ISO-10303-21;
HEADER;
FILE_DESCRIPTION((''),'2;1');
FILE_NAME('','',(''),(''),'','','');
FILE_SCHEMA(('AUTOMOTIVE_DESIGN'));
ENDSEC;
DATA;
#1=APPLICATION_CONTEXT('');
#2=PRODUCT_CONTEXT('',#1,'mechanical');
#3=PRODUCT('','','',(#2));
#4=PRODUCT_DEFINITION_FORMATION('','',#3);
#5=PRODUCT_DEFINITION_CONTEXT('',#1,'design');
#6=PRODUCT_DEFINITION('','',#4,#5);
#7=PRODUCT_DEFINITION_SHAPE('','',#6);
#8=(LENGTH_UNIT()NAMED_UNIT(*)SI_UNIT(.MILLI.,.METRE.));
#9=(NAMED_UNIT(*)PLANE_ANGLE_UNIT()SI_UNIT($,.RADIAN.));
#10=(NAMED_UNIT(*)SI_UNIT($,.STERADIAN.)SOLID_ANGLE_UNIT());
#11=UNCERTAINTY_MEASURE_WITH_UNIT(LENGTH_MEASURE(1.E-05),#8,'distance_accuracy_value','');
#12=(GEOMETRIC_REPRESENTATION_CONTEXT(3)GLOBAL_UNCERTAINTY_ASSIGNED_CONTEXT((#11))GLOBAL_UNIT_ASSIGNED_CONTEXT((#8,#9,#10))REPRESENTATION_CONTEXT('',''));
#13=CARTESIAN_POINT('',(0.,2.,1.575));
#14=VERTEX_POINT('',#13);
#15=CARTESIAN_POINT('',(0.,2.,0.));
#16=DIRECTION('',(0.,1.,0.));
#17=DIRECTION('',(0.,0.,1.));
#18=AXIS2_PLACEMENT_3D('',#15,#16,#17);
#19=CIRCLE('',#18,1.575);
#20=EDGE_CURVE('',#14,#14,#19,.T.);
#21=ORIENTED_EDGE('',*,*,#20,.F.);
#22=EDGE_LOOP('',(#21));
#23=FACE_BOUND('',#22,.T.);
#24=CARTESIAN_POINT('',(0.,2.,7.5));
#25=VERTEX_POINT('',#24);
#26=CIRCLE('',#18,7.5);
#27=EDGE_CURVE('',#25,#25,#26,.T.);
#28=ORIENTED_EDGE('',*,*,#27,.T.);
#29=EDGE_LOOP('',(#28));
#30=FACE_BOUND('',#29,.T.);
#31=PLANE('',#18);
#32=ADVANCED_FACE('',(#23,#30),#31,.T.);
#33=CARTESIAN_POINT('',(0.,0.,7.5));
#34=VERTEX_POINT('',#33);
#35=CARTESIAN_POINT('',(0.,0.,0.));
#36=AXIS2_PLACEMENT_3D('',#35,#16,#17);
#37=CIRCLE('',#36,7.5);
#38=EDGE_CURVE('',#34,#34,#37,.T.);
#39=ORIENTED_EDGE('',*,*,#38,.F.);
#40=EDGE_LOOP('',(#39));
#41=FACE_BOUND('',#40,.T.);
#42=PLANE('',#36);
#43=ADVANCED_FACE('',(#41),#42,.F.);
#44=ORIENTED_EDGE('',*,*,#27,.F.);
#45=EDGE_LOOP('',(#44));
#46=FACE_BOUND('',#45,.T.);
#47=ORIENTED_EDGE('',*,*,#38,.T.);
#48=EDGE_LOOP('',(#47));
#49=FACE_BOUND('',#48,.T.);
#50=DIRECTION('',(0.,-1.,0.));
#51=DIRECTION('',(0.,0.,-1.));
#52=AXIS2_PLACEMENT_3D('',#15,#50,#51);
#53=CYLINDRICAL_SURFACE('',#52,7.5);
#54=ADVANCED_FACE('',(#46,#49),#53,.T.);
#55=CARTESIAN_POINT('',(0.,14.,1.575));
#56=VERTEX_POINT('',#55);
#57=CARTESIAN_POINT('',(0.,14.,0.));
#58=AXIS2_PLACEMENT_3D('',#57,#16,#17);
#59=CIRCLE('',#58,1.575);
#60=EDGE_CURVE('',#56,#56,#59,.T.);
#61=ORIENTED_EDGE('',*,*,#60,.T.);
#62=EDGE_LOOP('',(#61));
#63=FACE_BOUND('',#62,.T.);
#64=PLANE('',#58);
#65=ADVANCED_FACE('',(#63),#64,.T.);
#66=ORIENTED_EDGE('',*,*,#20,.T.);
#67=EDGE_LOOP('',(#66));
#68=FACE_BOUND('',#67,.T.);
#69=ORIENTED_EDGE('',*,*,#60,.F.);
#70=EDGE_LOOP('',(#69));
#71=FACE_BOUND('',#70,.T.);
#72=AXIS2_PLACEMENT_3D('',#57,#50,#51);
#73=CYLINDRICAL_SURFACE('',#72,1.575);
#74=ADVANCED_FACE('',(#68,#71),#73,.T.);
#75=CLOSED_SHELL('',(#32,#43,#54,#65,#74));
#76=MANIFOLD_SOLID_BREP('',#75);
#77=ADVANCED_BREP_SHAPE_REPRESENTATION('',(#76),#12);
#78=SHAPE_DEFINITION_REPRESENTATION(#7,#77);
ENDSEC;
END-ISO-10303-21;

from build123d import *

# Parameters (mm, degrees)
SKETCH_1_R      = 7.5
EXTRUDE_1_DEPTH = 2
SKETCH_2_R      = 1.575
EXTRUDE_2_DEPTH = 12


with BuildPart() as part:
    # ｽｹｯﾁ1 → ﾎﾞｽ - 押し出し1 (new body)
    with BuildSketch(Plane(origin=(0, 0, 0), x_dir=(1, 0, 0), z_dir=(0, 1, 0))):
        with Locations(Location((0, 0, 0), (0, 0, 270))):
            Circle(SKETCH_1_R)
    extrude(amount=EXTRUDE_1_DEPTH)

    # ｽｹｯﾁ2 → ﾎﾞｽ - 押し出し2 (add)
    with BuildSketch(Plane(origin=(0, 2, 0), x_dir=(1, 0, 0), z_dir=(0, 1, 0))):
        with Locations(Location((0, 0, 0), (0, 0, 270))):
            Circle(SKETCH_2_R)
    extrude(amount=EXTRUDE_2_DEPTH)


solid = part.part
